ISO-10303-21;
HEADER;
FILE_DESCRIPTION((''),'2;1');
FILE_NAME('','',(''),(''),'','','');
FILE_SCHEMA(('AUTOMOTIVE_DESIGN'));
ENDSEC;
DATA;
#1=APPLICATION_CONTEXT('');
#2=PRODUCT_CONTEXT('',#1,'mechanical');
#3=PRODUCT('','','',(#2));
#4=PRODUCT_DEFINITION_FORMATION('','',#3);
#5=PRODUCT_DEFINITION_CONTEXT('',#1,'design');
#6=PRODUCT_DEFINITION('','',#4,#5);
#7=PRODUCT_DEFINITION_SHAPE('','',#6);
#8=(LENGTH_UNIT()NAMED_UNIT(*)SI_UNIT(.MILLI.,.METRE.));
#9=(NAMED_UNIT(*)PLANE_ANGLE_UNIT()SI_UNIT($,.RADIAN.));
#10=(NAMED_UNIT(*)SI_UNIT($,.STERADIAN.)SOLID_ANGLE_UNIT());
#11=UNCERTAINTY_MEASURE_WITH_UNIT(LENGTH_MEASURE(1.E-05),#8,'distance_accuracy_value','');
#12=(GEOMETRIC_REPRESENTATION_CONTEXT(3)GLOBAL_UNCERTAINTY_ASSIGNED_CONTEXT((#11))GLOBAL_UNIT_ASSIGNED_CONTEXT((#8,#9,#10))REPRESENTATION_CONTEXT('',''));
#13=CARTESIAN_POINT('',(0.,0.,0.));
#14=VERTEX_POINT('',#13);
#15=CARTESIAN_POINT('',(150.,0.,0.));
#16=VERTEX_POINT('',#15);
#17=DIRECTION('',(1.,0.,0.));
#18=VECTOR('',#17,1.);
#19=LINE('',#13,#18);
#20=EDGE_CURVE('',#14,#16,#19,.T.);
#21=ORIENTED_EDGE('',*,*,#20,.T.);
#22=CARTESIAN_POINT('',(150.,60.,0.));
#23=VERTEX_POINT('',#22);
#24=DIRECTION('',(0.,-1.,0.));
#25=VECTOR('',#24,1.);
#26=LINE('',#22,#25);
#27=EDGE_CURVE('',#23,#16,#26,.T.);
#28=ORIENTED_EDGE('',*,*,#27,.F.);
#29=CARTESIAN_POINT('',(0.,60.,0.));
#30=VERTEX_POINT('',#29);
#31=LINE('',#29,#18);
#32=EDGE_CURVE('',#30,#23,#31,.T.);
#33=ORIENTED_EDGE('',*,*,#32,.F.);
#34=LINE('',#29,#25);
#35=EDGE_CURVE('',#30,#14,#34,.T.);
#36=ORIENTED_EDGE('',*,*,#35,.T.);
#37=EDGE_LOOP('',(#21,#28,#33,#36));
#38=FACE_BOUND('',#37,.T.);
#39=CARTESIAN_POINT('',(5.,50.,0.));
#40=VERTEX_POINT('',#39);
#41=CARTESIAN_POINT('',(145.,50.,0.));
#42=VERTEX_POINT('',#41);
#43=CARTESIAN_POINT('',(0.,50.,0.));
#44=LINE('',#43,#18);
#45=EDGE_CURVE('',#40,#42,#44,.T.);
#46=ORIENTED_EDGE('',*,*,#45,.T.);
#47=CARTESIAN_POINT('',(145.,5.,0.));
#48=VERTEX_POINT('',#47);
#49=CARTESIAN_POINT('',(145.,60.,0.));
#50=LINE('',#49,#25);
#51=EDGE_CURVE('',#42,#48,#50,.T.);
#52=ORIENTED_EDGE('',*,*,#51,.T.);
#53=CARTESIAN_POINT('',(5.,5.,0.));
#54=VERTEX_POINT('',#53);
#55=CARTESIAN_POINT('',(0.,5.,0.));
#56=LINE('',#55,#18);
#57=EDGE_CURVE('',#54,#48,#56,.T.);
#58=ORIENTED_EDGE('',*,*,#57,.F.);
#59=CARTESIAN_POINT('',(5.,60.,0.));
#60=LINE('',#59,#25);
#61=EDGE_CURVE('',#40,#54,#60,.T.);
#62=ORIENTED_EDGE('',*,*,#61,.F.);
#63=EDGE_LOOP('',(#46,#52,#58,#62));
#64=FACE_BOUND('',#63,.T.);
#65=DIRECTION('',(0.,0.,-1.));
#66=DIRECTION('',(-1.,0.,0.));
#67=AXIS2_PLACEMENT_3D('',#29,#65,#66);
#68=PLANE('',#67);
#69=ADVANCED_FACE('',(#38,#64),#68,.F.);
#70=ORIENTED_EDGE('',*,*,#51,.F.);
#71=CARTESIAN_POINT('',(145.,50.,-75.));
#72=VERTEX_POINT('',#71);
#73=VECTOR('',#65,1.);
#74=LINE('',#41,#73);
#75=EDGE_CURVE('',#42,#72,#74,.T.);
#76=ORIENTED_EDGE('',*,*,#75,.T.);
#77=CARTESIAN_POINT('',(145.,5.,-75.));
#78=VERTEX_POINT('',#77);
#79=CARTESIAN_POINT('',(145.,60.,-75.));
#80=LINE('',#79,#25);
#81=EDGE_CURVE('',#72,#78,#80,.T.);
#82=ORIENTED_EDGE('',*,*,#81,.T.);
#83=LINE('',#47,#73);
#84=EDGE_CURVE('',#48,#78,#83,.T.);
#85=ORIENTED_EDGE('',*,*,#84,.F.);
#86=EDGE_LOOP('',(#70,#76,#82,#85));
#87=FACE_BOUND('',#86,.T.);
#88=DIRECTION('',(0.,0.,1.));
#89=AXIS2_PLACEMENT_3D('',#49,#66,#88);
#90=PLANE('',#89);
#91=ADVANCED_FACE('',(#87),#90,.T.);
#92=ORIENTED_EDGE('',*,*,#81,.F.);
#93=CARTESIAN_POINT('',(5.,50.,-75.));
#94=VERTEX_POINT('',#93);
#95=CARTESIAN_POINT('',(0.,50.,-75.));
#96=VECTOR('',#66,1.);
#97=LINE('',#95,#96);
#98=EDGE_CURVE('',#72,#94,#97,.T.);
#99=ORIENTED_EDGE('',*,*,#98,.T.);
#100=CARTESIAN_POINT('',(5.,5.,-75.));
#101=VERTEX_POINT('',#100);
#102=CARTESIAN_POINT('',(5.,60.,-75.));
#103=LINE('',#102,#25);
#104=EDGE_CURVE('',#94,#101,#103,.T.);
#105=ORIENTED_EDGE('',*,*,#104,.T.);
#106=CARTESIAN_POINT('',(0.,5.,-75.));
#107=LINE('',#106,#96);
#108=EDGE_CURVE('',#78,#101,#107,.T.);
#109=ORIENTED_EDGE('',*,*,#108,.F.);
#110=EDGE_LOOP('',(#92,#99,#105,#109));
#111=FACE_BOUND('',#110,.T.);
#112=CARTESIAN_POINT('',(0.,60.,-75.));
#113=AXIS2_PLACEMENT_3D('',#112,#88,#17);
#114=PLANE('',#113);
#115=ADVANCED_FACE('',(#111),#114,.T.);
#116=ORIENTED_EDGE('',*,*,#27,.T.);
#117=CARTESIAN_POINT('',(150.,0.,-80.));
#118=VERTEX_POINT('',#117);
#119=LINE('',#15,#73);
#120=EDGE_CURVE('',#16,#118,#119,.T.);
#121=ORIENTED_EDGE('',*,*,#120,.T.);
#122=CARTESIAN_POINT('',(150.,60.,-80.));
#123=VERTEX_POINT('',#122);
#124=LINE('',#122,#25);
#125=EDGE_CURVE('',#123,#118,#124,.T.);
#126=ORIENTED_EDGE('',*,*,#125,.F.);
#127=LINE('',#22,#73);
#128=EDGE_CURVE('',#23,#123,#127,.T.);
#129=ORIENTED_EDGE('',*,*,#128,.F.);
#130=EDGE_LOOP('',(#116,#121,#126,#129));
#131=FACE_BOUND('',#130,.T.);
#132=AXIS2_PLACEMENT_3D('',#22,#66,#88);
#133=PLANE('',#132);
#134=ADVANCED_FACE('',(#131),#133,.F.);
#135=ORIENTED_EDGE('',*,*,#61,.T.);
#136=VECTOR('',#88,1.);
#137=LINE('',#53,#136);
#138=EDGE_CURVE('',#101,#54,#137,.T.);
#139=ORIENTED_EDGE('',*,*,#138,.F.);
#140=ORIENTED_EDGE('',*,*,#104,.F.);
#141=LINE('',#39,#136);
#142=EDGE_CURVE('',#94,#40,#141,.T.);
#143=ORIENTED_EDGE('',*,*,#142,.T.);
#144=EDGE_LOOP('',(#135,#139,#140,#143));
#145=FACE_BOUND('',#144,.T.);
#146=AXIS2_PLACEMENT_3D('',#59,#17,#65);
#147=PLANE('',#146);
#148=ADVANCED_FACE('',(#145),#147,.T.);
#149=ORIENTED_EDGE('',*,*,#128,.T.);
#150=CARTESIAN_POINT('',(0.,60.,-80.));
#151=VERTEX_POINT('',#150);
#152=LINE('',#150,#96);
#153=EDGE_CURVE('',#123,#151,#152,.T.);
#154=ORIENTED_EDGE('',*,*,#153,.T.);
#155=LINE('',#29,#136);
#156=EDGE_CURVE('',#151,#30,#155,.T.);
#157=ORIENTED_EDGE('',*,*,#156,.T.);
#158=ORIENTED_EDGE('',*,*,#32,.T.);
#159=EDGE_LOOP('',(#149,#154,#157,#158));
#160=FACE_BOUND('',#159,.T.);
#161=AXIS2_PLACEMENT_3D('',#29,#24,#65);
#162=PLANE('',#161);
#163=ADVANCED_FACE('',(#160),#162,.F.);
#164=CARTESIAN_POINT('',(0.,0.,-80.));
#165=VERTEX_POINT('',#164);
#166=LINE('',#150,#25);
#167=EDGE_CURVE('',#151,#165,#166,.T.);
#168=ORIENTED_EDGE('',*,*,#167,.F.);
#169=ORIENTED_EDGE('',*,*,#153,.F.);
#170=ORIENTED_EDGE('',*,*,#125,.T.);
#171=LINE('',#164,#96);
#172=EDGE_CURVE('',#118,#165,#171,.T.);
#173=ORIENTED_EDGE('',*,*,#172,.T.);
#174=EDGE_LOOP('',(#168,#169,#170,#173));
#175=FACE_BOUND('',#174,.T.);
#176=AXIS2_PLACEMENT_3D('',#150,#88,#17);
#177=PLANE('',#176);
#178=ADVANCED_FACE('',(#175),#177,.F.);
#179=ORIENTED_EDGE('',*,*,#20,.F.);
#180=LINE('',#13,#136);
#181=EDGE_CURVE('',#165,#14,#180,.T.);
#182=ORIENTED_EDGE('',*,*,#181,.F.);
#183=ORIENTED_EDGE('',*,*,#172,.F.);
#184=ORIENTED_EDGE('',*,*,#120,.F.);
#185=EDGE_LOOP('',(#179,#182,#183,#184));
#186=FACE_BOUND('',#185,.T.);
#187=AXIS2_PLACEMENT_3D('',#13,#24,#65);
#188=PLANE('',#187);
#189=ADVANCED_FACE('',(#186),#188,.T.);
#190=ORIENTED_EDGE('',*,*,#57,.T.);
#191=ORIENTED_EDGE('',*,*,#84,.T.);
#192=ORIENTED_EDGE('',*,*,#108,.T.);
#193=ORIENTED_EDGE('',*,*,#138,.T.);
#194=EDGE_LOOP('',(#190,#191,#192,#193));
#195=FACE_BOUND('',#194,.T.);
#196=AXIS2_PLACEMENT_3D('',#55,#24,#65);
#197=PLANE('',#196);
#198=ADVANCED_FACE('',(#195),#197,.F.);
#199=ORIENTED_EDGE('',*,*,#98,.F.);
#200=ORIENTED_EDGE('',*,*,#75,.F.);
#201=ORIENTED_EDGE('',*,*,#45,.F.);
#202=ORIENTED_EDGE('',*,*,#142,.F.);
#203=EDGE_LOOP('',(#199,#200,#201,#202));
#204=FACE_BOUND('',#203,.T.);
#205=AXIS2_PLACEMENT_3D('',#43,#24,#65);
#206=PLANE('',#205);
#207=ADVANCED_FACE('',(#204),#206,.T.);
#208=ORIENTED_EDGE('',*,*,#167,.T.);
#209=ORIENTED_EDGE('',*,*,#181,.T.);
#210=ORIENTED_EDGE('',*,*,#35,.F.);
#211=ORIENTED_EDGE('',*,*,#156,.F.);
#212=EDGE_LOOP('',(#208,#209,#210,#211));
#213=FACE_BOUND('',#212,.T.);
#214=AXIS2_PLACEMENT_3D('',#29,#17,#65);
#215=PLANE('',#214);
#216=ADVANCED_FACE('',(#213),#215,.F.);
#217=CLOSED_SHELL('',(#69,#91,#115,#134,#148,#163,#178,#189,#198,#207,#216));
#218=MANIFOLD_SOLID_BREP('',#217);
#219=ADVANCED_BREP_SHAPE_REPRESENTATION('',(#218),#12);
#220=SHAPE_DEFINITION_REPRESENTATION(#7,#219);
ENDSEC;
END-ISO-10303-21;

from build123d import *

# Parameters (mm, degrees)
SKETCH1_W                 = 150
SKETCH1_H                 = 80
BOSS_EXTRUDE1_DEPTH       = 60
SHELL1_T                  = -5
SHELL1_THICKNESS_2_FACE_W = 75
SHELL1_THICKNESS_2_FACE_H = 140
SHELL1_THICKNESS_2_DEPTH  = 5


with BuildPart() as part:
    # Sketch1 → Boss-Extrude1 (new body)
    with BuildSketch(Plane(origin=(0, 0, 0), x_dir=(1, 0, 0), z_dir=(0, 1, 0))):
        with Locations((75, 40)):
            Rectangle(SKETCH1_W, SKETCH1_H)
    extrude(amount=BOSS_EXTRUDE1_DEPTH)

    # Shell1
    shell1_openings = [part.faces().sort_by_distance(p)[0] for p in [
        (75, 30, 0),
    ]]
    offset(amount=SHELL1_T, openings=shell1_openings, kind=Kind.INTERSECTION)

    # Shell1 thickness 2 face (on inner face of the shell) → Shell1 thickness 2 (add)
    with BuildSketch(Plane(origin=(75, 55, -37.5), x_dir=(0, 0, 1), z_dir=(0, 1, 0))):
        Rectangle(SHELL1_THICKNESS_2_FACE_W, SHELL1_THICKNESS_2_FACE_H)
    extrude(amount=-SHELL1_THICKNESS_2_DEPTH)


solid = part.part
